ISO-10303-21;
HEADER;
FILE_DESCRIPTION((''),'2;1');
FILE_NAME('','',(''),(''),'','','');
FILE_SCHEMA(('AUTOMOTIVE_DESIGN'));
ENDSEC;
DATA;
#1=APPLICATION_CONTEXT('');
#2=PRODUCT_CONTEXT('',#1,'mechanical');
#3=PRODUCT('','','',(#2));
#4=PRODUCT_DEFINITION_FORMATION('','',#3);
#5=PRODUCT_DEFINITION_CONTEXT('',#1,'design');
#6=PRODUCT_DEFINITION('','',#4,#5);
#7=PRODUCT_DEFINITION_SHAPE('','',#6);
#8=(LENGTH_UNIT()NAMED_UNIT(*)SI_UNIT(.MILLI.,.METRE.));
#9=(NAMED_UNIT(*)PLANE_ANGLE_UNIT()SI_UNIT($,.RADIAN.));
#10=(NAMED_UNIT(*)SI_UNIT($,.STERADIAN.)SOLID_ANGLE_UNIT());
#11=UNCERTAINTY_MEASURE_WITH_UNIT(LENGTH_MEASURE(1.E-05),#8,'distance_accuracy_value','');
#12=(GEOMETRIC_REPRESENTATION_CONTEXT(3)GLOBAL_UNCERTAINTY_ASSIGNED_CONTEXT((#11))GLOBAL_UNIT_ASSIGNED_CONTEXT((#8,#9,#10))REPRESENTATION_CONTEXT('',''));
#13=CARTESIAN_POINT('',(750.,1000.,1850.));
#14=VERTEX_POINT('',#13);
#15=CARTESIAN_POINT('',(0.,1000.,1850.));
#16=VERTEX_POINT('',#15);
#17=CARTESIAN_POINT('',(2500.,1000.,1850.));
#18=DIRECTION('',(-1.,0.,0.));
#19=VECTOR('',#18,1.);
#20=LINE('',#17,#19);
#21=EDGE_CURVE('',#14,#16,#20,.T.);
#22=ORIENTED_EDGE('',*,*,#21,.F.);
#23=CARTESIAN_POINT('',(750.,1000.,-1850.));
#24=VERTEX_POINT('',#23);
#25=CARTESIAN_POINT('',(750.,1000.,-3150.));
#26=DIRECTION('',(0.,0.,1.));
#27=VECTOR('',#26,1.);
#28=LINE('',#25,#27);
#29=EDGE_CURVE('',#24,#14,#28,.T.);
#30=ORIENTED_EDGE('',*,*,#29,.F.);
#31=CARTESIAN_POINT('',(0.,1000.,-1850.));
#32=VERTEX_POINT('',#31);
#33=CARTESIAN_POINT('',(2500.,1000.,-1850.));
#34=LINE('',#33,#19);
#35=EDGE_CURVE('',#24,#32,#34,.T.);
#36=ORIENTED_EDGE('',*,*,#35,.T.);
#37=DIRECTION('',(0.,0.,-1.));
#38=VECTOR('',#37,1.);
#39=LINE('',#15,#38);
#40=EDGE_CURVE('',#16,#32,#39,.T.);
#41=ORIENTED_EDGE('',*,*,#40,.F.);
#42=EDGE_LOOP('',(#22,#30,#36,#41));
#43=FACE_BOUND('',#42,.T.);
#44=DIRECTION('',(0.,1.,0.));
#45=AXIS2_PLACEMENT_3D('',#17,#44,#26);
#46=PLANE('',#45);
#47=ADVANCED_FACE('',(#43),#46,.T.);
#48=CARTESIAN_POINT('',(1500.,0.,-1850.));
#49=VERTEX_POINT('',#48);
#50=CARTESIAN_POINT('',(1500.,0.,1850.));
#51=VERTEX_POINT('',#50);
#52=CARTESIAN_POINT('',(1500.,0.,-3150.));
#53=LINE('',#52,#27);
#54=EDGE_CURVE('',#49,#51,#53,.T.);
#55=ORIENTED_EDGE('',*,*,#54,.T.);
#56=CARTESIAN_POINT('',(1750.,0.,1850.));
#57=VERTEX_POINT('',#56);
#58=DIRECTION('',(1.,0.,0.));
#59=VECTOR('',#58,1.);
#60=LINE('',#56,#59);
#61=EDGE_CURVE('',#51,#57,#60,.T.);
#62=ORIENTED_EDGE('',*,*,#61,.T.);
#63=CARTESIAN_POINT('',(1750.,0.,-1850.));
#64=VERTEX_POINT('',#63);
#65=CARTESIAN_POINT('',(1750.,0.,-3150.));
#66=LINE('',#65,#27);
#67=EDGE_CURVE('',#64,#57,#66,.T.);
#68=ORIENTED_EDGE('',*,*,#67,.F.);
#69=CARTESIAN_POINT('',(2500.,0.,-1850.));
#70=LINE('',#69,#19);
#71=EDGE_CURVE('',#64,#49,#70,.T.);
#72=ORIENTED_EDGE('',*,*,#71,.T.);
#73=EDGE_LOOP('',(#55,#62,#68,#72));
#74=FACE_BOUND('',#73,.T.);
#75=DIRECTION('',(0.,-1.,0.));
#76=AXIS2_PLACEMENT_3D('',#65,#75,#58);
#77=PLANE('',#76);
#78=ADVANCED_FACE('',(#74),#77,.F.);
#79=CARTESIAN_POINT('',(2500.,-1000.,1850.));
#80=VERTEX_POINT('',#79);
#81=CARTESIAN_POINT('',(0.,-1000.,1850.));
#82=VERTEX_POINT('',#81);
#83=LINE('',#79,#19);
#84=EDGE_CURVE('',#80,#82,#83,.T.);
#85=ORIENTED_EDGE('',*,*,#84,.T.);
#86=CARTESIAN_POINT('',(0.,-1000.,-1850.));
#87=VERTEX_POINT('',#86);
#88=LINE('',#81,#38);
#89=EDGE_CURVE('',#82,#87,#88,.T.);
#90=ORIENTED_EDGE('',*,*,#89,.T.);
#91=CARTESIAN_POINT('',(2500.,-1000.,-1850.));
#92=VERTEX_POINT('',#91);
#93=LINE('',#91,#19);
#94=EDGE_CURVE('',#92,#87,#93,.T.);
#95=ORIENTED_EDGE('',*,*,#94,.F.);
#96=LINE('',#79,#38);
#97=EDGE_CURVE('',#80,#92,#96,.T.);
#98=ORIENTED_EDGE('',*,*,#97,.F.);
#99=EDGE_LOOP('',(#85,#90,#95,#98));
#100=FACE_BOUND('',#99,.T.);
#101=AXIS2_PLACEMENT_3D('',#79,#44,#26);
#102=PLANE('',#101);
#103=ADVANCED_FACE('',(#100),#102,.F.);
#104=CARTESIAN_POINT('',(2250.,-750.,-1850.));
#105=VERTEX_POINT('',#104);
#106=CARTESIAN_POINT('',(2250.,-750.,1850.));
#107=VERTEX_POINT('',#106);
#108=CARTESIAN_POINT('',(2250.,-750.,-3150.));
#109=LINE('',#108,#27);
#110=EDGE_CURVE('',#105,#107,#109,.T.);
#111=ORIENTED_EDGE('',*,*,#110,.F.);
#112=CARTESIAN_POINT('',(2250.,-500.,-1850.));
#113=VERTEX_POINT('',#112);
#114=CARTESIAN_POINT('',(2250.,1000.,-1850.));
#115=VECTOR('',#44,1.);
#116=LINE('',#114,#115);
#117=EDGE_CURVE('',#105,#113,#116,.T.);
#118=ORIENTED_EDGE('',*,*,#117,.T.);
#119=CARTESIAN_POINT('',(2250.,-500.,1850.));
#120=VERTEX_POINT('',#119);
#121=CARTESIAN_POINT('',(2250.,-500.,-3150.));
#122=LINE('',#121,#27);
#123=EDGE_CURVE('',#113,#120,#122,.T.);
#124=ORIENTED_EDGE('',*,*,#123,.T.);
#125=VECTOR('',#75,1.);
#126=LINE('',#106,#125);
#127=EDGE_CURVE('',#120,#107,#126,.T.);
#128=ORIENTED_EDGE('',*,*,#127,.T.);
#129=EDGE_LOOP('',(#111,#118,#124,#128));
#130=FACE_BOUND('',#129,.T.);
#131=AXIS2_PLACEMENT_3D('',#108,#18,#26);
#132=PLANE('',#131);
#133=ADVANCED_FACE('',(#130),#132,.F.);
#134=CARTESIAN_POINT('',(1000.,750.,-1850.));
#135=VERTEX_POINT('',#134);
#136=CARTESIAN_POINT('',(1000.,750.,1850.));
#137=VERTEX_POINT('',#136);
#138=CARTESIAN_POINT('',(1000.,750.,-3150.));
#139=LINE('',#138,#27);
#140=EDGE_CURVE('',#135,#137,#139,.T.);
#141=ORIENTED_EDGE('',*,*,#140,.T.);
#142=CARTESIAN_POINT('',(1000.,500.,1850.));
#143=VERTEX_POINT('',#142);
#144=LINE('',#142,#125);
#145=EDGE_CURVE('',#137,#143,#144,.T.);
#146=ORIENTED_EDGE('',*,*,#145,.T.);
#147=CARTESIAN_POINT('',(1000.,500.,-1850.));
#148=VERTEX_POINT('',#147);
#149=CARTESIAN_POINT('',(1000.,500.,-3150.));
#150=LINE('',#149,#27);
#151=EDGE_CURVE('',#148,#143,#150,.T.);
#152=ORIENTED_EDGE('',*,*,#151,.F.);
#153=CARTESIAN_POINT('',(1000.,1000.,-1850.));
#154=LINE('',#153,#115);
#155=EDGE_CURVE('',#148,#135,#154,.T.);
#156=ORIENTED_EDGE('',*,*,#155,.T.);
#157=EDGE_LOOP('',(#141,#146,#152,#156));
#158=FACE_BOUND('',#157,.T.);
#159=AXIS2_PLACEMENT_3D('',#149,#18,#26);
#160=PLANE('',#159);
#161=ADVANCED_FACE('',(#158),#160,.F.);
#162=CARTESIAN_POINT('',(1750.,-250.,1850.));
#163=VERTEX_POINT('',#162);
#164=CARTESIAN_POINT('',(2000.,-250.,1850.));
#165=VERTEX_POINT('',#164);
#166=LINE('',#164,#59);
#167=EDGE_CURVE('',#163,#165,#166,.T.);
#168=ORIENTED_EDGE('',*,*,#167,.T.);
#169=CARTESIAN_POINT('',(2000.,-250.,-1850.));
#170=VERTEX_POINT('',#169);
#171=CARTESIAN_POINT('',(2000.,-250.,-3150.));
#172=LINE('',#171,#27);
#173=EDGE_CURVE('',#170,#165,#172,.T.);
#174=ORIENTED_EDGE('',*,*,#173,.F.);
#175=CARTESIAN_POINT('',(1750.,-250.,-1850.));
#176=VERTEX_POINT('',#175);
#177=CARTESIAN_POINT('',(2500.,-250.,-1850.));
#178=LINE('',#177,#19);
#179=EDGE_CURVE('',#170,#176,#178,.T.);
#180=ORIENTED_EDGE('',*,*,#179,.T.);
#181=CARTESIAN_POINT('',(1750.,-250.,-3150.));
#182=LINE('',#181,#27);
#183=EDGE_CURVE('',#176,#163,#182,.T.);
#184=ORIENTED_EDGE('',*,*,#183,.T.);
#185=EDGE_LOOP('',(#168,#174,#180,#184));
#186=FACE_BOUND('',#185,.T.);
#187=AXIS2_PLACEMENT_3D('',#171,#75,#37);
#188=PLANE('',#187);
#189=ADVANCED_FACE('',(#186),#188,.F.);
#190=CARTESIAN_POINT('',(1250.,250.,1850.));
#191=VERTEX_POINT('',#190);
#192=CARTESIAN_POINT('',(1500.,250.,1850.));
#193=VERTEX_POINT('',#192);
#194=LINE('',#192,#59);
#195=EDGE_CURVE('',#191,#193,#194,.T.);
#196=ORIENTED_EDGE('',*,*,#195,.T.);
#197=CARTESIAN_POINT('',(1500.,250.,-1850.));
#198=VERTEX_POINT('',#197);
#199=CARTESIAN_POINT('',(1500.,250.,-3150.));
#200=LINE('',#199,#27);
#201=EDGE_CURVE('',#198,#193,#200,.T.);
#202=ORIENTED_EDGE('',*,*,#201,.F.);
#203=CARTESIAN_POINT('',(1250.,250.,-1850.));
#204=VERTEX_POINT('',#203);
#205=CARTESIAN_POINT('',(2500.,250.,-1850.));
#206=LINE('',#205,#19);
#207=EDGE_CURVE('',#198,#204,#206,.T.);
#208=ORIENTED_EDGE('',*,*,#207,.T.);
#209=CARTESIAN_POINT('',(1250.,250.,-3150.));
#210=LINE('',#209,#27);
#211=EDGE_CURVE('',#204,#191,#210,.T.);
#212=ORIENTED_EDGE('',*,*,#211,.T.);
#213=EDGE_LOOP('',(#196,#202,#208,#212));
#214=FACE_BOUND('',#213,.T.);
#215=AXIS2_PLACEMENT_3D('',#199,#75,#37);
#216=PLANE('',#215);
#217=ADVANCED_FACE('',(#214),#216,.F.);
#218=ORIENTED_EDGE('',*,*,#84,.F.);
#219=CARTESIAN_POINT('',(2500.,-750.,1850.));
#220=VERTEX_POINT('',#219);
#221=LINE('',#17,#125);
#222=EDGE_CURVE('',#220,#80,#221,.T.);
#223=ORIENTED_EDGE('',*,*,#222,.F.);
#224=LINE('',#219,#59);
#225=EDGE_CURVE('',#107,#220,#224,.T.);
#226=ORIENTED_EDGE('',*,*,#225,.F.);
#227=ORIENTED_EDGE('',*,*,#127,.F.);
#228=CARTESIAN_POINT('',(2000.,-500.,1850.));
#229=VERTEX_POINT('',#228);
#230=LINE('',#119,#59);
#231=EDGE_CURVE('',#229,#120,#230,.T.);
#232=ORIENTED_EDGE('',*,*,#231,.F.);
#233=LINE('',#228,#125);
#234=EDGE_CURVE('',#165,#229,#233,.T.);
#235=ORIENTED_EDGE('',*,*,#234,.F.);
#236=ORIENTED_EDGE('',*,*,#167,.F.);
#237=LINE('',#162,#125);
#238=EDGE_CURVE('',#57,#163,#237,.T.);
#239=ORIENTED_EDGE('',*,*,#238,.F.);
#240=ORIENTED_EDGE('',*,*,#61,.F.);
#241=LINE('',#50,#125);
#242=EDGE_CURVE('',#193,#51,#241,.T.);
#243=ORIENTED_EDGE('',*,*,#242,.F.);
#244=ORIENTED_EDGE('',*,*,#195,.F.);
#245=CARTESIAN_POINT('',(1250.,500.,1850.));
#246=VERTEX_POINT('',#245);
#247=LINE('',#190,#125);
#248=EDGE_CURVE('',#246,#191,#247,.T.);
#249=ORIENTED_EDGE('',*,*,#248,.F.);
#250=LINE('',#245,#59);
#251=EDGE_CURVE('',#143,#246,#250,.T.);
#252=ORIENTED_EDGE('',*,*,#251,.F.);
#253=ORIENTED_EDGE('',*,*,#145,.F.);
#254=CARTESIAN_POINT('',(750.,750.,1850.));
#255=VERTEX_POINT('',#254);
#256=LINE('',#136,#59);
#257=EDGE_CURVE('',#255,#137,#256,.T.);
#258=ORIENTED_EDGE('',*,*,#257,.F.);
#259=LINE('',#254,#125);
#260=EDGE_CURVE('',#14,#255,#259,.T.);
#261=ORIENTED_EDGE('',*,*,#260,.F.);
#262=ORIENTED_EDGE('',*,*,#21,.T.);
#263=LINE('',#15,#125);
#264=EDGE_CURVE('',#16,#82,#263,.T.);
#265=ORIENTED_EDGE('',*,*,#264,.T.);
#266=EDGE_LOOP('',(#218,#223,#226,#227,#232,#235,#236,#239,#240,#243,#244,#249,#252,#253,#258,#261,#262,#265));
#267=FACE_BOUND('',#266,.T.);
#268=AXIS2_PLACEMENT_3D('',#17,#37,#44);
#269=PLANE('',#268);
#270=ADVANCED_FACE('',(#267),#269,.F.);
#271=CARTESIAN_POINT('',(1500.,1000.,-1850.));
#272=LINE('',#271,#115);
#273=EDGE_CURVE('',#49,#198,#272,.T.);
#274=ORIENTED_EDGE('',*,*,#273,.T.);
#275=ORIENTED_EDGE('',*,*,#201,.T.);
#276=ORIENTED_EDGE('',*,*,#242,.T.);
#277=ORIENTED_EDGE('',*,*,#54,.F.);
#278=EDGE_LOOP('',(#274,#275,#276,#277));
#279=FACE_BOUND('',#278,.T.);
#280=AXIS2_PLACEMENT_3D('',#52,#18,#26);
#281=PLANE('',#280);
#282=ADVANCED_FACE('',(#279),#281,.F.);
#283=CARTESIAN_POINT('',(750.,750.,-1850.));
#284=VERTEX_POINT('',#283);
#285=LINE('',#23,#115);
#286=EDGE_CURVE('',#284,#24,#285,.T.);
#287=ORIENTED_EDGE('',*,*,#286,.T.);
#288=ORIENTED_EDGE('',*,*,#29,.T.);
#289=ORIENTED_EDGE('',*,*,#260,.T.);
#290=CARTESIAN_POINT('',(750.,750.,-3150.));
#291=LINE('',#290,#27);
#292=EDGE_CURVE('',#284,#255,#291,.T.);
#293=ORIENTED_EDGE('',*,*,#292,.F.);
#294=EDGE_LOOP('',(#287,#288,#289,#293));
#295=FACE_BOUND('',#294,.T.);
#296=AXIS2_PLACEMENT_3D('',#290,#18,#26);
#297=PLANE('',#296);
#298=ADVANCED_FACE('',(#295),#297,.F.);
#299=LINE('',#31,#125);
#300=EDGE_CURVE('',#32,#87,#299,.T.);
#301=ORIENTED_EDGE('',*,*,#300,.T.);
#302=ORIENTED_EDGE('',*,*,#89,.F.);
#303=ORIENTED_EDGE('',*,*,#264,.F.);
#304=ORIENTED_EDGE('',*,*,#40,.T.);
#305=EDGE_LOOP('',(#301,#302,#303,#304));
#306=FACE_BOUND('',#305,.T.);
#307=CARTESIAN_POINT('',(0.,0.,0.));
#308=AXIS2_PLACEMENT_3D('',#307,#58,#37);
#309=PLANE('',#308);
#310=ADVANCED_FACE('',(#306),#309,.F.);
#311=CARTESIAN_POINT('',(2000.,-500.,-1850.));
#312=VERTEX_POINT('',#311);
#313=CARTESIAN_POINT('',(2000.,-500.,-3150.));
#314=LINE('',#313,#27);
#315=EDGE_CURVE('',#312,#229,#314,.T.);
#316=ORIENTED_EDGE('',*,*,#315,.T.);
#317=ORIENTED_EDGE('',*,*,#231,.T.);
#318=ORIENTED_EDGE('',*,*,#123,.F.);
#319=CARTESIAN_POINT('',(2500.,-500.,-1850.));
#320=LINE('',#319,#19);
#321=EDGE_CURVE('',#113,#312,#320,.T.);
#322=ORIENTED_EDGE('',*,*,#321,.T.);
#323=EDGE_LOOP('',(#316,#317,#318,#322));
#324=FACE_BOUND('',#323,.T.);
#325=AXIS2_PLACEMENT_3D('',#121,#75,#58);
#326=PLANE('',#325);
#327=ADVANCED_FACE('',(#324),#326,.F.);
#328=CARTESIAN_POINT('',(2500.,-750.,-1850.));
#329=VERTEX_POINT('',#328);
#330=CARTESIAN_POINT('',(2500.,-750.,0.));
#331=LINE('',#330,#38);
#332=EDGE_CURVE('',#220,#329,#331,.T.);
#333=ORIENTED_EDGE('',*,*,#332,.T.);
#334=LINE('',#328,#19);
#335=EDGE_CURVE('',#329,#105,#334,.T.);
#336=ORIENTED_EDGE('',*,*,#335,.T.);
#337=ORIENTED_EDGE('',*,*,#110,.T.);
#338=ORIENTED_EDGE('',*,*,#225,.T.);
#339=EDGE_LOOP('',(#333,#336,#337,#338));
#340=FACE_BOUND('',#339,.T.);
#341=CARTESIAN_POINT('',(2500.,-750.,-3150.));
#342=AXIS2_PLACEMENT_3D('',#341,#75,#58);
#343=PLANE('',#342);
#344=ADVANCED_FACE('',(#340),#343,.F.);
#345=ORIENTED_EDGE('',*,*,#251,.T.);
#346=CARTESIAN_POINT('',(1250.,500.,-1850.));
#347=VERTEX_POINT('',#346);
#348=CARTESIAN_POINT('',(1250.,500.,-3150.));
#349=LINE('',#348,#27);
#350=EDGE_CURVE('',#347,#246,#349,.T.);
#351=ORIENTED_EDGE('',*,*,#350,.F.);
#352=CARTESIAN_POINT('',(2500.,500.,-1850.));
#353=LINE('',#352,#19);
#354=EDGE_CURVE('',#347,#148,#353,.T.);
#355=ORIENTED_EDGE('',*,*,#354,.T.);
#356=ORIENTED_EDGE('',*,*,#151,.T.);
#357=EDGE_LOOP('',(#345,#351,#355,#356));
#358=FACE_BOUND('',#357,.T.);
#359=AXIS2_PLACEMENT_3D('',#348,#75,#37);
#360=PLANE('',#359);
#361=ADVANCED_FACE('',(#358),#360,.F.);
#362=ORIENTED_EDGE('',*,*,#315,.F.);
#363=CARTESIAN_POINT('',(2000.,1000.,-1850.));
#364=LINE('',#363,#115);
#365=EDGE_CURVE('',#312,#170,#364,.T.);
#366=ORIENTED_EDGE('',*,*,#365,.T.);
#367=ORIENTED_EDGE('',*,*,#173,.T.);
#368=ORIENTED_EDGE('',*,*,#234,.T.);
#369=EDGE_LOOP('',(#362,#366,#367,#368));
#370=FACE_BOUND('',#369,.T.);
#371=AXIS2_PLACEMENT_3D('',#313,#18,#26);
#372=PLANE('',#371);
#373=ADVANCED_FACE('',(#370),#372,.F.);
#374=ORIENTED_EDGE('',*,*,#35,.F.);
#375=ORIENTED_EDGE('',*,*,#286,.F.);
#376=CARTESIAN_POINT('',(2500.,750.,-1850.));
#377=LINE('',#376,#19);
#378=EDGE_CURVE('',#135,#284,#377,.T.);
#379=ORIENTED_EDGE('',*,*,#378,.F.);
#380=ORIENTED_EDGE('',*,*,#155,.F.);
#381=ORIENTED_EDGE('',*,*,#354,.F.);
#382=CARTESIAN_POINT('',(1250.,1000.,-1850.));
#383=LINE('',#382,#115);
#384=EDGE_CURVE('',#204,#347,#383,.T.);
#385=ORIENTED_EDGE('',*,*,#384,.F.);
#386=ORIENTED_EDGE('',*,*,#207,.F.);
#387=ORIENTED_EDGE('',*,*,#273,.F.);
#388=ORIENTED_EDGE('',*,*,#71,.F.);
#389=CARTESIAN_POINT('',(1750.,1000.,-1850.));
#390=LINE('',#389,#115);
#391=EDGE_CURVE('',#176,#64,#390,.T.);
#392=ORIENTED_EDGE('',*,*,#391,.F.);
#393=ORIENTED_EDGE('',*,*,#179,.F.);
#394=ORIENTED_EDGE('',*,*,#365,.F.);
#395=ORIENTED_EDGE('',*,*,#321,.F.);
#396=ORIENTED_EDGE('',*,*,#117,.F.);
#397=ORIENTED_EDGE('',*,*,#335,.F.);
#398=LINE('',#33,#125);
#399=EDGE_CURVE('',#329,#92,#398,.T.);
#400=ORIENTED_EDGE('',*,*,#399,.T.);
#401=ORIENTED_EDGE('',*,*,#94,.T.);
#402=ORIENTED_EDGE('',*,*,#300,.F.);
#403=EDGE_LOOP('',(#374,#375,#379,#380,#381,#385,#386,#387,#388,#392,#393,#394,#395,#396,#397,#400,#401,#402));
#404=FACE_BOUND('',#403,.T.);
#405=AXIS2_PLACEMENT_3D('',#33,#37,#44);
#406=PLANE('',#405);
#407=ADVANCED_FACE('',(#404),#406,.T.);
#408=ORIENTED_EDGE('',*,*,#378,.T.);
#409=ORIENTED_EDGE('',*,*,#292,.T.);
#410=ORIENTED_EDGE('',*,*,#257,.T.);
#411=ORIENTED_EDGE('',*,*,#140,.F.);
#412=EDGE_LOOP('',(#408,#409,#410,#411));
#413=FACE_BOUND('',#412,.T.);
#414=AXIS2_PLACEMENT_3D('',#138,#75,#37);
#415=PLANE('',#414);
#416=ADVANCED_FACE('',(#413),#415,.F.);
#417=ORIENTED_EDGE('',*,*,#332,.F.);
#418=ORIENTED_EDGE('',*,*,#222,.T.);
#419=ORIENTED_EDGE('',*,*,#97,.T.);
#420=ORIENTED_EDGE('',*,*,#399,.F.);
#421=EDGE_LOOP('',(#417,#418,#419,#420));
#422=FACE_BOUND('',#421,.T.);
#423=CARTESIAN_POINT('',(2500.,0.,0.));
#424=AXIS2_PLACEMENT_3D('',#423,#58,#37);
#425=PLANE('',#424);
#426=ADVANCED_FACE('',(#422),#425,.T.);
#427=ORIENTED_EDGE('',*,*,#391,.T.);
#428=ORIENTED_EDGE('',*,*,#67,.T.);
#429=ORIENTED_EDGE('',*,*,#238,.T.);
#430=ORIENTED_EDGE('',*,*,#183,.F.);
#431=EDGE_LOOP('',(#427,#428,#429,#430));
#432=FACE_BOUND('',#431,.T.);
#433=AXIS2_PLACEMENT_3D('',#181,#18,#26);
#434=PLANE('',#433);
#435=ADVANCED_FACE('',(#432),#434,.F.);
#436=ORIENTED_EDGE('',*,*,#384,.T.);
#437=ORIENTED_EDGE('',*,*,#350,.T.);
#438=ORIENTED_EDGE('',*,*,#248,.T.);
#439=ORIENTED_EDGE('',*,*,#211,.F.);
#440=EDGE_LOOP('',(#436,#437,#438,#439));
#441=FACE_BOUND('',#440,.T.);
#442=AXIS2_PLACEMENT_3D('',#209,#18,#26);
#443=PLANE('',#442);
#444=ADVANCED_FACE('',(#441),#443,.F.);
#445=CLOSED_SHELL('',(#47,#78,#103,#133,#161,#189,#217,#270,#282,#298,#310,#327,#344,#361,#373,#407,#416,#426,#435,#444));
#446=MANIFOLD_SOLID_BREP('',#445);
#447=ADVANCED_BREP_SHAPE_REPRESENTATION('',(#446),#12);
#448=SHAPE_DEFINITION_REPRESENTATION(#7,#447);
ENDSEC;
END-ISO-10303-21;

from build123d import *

# Parameters (mm, degrees)
SKETCH1_W           = 3700
SKETCH1_H           = 2000
BOSS_EXTRUDE1_DEPTH = 2500
CUT_EXTRUDE1_DEPTH  = 5000


with BuildPart() as part:
    # Sketch1 → Boss-Extrude1 (new body)
    with BuildSketch(Plane(origin=(0, 0, 0), x_dir=(0, 0, -1), z_dir=(1, 0, 0))):
        Rectangle(SKETCH1_W, SKETCH1_H)
    extrude(amount=BOSS_EXTRUDE1_DEPTH)

    # Sketch4 → Cut-Extrude1 (cut)
    with BuildSketch(Plane.XY.offset(1850)):
        Polygon((2500, -750), (2250, -750), (2250, -500), (2000, -500), (2000, -250), (1750, -250), (1750, 0), (1500, 0), (1500, 250), (1250, 250), (1250, 500), (1000, 500), (1000, 750), (750, 750), (750, 1000), (2500, 1000), align=None)
    extrude(amount=-CUT_EXTRUDE1_DEPTH, mode=Mode.SUBTRACT)


solid = part.part
